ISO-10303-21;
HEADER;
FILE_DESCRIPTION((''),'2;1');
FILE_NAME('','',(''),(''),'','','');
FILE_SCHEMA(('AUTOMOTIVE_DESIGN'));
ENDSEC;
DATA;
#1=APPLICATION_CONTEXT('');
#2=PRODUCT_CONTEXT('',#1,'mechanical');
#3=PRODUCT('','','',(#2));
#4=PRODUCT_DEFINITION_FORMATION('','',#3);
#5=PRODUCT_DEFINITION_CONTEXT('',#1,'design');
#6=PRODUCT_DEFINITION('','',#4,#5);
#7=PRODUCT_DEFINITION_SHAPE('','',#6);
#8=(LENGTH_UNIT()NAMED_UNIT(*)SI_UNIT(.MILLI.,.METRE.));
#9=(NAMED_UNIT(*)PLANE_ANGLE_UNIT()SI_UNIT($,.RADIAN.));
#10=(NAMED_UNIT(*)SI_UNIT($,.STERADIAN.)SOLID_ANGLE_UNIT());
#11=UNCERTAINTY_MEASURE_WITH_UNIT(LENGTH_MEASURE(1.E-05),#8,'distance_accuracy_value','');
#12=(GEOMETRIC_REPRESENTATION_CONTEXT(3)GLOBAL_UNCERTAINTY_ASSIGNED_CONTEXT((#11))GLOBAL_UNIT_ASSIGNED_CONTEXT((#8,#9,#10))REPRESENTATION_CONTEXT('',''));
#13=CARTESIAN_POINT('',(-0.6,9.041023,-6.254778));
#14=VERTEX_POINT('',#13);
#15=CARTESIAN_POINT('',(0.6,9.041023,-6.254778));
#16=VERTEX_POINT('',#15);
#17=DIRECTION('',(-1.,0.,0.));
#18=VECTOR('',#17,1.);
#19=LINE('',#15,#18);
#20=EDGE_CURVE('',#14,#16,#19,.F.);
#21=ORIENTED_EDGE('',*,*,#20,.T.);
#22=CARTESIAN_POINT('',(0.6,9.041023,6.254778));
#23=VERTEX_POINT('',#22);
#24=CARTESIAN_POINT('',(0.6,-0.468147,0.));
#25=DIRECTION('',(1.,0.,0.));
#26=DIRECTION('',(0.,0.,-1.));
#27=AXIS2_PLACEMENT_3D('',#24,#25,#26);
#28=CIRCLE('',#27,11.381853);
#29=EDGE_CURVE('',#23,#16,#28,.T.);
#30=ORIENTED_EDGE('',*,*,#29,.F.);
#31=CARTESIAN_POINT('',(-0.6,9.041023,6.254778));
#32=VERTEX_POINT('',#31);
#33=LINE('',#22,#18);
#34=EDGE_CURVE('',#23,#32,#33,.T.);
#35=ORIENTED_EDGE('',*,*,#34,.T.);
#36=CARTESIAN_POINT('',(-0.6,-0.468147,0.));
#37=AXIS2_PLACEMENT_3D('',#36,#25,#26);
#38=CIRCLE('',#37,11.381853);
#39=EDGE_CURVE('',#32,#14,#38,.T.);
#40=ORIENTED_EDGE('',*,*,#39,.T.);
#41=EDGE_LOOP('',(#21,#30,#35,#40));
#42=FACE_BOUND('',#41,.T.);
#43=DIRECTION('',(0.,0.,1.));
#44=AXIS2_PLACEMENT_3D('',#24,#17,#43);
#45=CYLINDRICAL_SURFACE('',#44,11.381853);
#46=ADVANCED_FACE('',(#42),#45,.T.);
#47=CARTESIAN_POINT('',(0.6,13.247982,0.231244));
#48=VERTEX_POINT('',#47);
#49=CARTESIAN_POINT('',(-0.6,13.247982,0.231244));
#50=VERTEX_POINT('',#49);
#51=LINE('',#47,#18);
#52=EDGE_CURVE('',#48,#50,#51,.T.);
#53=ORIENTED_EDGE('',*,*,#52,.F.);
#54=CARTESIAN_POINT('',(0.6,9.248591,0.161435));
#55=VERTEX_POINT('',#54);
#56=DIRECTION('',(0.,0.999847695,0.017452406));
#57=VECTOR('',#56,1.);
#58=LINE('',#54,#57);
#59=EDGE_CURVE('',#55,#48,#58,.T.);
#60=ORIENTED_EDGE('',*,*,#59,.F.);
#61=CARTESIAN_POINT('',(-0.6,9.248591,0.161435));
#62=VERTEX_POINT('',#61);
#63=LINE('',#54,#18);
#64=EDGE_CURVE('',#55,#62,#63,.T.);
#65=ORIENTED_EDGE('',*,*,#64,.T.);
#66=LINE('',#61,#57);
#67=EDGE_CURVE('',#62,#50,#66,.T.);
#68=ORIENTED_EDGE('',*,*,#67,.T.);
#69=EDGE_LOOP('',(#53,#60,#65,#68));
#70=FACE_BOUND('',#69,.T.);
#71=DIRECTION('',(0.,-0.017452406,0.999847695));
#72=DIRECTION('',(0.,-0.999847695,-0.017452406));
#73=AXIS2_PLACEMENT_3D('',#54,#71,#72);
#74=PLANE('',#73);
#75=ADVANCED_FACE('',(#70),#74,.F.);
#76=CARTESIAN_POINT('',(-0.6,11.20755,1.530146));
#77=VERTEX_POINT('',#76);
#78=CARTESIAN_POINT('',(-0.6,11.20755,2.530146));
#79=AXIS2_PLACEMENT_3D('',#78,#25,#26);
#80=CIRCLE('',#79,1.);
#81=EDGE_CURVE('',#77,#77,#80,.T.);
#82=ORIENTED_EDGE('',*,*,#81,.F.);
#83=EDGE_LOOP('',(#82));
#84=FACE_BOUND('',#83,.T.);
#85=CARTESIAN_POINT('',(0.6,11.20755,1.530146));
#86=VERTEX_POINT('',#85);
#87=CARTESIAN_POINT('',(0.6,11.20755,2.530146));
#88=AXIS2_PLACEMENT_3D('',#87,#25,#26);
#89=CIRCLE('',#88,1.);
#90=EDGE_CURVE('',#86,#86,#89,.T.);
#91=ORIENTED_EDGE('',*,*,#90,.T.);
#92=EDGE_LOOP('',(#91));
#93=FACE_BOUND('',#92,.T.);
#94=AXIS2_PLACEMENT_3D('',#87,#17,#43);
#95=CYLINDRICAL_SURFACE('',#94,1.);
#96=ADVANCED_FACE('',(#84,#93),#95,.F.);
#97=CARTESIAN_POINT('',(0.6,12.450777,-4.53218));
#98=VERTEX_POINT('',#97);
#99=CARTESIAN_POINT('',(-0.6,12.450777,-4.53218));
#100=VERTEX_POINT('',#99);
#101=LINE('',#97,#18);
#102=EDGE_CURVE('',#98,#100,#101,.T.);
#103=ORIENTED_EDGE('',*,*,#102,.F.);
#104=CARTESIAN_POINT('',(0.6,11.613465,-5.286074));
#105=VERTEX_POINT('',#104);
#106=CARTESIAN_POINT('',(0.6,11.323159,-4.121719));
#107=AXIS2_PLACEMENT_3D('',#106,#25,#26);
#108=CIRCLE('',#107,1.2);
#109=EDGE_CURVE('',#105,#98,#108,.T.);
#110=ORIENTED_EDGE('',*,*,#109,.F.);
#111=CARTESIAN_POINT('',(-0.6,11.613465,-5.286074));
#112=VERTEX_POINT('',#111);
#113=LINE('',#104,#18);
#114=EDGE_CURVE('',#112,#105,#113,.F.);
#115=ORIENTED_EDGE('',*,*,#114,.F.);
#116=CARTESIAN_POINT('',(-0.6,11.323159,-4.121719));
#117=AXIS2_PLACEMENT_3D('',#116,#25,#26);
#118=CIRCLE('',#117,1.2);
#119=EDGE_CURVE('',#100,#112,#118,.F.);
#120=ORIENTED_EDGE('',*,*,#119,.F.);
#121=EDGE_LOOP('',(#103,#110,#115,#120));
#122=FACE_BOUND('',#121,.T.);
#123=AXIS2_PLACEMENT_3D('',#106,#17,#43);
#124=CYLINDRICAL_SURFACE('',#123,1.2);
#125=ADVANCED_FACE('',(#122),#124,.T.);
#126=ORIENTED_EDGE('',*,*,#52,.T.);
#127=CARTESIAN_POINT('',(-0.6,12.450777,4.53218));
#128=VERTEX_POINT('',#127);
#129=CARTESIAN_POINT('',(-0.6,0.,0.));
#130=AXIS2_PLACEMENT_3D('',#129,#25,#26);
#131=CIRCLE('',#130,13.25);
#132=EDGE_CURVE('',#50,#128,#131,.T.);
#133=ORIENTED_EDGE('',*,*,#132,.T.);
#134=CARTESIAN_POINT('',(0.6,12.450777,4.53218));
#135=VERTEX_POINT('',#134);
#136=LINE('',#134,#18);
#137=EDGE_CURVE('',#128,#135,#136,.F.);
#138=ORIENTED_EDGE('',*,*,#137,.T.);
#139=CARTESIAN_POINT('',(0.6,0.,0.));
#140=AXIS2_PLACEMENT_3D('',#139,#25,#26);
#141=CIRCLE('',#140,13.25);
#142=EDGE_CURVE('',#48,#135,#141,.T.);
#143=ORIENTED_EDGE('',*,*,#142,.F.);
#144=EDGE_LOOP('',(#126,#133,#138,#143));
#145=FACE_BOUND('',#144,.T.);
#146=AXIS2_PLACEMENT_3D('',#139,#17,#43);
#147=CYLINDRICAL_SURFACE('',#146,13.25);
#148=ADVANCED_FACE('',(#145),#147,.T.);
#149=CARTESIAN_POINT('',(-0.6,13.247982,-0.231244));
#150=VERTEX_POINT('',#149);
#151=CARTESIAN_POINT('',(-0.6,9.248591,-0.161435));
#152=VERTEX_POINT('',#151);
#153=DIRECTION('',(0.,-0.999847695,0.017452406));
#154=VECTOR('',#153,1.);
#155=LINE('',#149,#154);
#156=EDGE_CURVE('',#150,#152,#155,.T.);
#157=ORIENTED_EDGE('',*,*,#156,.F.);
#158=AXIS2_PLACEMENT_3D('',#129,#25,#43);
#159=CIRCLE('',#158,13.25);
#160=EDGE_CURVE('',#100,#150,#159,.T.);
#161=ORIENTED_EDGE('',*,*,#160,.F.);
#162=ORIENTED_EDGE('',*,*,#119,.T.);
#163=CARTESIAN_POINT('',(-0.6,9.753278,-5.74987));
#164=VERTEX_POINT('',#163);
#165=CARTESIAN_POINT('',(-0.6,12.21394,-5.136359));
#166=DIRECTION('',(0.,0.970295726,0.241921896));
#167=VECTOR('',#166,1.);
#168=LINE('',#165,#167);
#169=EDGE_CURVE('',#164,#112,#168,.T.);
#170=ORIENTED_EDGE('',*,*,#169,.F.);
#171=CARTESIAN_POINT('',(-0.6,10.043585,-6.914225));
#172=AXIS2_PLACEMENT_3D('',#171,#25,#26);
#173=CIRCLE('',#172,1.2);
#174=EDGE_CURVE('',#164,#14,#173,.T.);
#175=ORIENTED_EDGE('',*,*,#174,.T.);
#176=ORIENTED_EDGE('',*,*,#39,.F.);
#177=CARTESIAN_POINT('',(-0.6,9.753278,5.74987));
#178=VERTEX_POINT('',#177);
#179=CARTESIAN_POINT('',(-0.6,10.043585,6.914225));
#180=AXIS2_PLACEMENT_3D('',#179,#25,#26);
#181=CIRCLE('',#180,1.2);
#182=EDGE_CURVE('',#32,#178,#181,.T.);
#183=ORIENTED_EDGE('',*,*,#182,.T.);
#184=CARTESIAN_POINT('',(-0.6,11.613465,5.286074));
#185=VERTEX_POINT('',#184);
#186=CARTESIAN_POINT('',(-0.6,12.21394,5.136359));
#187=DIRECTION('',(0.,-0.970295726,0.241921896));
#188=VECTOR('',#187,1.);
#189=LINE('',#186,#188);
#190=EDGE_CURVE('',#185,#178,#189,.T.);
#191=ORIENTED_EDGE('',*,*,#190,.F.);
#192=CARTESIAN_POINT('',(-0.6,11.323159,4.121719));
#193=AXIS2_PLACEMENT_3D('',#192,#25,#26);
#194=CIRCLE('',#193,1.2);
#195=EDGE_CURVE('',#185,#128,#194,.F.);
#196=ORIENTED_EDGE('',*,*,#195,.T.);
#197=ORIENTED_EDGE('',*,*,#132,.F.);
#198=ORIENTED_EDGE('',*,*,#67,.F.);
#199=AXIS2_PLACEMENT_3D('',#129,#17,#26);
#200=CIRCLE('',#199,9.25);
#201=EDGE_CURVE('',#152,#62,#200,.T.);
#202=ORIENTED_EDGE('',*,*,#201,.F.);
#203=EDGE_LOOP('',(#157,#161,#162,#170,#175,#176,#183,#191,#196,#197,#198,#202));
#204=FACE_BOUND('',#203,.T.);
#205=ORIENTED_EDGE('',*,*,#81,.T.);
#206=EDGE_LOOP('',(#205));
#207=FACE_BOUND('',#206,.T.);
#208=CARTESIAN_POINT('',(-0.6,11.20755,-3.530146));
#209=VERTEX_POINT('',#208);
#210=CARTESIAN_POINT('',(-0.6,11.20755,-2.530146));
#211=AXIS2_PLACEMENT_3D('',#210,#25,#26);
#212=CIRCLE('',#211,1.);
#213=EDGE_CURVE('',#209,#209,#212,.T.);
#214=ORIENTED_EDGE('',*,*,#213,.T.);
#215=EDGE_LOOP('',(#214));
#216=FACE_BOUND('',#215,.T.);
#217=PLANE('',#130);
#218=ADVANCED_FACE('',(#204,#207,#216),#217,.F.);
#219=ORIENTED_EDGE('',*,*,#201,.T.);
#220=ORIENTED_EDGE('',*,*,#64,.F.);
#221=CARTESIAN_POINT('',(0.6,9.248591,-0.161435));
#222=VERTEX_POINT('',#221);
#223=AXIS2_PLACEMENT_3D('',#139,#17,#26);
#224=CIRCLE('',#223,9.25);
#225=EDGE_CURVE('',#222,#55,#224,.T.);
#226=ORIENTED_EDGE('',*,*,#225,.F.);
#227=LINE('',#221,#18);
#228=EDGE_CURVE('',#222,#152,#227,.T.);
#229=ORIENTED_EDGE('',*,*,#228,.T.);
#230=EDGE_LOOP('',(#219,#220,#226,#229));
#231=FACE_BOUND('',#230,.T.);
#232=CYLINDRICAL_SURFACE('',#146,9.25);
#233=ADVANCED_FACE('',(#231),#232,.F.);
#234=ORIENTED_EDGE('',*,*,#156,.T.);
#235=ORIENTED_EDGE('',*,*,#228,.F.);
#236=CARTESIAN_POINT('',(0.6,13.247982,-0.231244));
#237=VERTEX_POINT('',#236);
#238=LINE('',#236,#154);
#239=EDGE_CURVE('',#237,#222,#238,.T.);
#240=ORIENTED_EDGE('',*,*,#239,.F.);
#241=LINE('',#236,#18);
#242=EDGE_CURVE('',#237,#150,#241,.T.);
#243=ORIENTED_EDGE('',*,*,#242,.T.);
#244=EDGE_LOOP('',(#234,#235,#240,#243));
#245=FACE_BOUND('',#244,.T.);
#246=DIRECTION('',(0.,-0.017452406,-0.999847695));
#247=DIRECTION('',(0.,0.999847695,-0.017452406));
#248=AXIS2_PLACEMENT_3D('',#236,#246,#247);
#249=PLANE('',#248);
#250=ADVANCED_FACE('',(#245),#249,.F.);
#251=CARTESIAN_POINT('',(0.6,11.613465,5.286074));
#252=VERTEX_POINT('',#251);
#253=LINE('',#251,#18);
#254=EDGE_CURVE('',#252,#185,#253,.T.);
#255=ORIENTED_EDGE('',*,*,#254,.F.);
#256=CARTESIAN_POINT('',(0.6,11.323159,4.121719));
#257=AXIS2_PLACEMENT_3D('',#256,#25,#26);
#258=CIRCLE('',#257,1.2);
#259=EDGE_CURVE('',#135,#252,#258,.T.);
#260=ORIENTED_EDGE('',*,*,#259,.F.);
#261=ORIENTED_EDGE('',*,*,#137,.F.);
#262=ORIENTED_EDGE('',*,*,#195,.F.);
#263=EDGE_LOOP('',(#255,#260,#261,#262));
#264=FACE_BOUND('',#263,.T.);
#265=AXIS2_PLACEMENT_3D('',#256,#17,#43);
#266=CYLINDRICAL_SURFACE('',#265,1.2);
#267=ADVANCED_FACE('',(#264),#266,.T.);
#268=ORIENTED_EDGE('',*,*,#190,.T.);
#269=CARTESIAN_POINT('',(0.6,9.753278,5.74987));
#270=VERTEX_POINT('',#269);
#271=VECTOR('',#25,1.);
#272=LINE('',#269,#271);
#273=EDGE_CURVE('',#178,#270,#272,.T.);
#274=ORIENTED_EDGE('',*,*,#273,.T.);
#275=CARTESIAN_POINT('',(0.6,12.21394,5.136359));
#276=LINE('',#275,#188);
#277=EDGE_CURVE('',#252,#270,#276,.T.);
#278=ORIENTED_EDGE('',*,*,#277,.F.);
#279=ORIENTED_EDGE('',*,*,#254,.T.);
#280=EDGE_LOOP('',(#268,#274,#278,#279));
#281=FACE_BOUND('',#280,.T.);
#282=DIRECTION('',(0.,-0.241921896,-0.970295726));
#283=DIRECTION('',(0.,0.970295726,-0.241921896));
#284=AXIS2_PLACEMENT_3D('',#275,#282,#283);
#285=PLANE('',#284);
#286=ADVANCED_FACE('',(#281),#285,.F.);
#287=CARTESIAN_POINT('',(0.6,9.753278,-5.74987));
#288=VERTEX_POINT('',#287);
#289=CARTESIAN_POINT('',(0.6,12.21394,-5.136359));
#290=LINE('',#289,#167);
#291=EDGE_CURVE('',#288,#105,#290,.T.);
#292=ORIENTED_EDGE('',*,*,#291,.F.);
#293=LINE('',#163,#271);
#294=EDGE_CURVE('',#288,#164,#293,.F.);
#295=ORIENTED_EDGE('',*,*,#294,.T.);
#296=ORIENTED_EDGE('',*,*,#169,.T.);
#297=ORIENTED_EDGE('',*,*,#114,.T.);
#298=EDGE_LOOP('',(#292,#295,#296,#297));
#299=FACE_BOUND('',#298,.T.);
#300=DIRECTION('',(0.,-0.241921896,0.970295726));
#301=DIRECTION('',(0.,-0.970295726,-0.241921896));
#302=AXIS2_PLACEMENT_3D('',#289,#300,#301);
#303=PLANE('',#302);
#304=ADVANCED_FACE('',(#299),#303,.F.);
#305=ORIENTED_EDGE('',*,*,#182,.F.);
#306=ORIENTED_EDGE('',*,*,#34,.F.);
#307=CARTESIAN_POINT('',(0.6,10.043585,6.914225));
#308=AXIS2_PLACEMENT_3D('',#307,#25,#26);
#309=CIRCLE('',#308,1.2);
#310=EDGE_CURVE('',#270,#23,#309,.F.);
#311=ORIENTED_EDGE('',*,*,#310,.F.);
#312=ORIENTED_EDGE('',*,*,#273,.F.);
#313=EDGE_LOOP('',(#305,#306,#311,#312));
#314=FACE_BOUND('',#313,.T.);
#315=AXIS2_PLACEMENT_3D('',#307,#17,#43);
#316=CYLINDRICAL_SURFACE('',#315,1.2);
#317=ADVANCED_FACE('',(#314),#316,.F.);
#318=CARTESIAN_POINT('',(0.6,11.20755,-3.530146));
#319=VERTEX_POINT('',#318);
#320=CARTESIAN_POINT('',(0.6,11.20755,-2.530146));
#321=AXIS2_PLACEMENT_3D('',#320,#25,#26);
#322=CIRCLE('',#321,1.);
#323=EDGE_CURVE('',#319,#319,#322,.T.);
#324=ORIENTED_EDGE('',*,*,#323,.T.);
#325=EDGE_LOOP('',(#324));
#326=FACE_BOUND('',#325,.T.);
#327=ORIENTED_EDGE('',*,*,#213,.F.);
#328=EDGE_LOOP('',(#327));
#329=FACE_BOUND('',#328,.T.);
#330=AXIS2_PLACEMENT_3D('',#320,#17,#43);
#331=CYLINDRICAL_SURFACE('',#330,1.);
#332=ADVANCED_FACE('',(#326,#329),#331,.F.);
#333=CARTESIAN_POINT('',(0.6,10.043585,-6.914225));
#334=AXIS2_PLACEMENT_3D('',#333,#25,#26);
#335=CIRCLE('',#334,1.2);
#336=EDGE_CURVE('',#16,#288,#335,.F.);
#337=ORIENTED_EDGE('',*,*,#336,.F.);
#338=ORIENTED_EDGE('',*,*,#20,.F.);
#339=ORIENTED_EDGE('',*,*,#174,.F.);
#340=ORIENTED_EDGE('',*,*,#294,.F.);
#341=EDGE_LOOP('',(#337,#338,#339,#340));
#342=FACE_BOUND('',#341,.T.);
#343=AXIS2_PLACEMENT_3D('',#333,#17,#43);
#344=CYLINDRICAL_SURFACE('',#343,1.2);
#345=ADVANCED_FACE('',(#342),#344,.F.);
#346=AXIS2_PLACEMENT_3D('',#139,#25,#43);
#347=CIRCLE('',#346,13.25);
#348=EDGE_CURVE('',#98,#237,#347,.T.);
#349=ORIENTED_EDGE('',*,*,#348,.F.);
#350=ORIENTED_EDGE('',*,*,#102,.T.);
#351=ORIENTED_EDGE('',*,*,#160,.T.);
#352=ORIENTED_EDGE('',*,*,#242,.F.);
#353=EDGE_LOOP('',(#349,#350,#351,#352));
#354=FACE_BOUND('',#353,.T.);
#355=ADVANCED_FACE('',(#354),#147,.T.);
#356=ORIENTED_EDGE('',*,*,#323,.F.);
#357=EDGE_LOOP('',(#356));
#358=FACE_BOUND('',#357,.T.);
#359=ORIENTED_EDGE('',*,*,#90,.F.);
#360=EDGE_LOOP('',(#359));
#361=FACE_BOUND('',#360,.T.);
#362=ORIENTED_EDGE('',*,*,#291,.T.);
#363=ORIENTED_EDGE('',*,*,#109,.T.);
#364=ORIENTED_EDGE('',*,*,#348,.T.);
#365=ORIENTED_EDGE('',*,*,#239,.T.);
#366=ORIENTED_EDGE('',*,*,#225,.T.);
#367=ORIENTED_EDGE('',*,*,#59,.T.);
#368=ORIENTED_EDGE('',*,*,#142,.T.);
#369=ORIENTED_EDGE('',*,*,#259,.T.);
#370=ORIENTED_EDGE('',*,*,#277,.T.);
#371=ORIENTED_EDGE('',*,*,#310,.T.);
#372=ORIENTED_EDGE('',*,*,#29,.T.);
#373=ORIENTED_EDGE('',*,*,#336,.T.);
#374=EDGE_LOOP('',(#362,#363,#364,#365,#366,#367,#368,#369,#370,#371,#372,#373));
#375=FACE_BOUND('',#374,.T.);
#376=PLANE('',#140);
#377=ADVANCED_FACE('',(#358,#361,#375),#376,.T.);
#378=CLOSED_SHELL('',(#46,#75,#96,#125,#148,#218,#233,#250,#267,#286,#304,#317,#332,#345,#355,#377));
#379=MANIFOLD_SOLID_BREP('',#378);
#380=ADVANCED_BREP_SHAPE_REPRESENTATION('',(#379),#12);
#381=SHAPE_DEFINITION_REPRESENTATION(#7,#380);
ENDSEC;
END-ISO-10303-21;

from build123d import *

# Parameters (mm, degrees)
SKETCH1_R      = 1
EXTRUDE1_DEPTH = 0.6
FILLET1_R      = 1.2


with BuildPart() as part:
    # Sketch1 → Extrude1 (new body, symmetric)
    with BuildSketch(Plane(origin=(0, 0, 0), x_dir=(0, 0, -1), z_dir=(1, 0, 0))):
        with BuildLine():
            Line((-0.16143476, 9.24859118), (-0.231244385, 13.247981961))
            ThreePointArc((-0.231244385, 13.247981961), (-2.73314864, 12.965045257), (-5.136358645, 12.213939572))
            Line((-5.136358645, 12.213939572), (-5.866544122, 9.285325583))
            ThreePointArc((-5.866544122, 9.285325583), (0, -11.85), (5.866544122, 9.285325583))
            Line((5.866544122, 9.285325583), (5.136358645, 12.213939572))
            ThreePointArc((5.136358645, 12.213939572), (2.73314864, 12.965045257), (0.231244385, 13.247981961))
            Line((0.231244385, 13.247981961), (0.16143476, 9.24859118))
            ThreePointArc((0.16143476, 9.24859118), (0, -9.25), (-0.16143476, 9.24859118))
        make_face()
        with Locations((-2.53014565, 11.207549834)):
            Circle(SKETCH1_R, mode=Mode.SUBTRACT)
        with Locations((2.53014565, 11.207549834)):
            Circle(SKETCH1_R, mode=Mode.SUBTRACT)
    extrude(amount=EXTRUDE1_DEPTH, both=True)

    # Fillet1
    fillet1_edges = [part.edges().sort_by_distance(p)[0] for p in [
        (0, 12.213939572, -5.136358645),
        (0, 9.285325583, -5.866544122),
        (0, 9.285325583, 5.866544122),
        (0, 12.213939572, 5.136358645),
    ]]
    fillet(fillet1_edges, radius=FILLET1_R)


solid = part.part
